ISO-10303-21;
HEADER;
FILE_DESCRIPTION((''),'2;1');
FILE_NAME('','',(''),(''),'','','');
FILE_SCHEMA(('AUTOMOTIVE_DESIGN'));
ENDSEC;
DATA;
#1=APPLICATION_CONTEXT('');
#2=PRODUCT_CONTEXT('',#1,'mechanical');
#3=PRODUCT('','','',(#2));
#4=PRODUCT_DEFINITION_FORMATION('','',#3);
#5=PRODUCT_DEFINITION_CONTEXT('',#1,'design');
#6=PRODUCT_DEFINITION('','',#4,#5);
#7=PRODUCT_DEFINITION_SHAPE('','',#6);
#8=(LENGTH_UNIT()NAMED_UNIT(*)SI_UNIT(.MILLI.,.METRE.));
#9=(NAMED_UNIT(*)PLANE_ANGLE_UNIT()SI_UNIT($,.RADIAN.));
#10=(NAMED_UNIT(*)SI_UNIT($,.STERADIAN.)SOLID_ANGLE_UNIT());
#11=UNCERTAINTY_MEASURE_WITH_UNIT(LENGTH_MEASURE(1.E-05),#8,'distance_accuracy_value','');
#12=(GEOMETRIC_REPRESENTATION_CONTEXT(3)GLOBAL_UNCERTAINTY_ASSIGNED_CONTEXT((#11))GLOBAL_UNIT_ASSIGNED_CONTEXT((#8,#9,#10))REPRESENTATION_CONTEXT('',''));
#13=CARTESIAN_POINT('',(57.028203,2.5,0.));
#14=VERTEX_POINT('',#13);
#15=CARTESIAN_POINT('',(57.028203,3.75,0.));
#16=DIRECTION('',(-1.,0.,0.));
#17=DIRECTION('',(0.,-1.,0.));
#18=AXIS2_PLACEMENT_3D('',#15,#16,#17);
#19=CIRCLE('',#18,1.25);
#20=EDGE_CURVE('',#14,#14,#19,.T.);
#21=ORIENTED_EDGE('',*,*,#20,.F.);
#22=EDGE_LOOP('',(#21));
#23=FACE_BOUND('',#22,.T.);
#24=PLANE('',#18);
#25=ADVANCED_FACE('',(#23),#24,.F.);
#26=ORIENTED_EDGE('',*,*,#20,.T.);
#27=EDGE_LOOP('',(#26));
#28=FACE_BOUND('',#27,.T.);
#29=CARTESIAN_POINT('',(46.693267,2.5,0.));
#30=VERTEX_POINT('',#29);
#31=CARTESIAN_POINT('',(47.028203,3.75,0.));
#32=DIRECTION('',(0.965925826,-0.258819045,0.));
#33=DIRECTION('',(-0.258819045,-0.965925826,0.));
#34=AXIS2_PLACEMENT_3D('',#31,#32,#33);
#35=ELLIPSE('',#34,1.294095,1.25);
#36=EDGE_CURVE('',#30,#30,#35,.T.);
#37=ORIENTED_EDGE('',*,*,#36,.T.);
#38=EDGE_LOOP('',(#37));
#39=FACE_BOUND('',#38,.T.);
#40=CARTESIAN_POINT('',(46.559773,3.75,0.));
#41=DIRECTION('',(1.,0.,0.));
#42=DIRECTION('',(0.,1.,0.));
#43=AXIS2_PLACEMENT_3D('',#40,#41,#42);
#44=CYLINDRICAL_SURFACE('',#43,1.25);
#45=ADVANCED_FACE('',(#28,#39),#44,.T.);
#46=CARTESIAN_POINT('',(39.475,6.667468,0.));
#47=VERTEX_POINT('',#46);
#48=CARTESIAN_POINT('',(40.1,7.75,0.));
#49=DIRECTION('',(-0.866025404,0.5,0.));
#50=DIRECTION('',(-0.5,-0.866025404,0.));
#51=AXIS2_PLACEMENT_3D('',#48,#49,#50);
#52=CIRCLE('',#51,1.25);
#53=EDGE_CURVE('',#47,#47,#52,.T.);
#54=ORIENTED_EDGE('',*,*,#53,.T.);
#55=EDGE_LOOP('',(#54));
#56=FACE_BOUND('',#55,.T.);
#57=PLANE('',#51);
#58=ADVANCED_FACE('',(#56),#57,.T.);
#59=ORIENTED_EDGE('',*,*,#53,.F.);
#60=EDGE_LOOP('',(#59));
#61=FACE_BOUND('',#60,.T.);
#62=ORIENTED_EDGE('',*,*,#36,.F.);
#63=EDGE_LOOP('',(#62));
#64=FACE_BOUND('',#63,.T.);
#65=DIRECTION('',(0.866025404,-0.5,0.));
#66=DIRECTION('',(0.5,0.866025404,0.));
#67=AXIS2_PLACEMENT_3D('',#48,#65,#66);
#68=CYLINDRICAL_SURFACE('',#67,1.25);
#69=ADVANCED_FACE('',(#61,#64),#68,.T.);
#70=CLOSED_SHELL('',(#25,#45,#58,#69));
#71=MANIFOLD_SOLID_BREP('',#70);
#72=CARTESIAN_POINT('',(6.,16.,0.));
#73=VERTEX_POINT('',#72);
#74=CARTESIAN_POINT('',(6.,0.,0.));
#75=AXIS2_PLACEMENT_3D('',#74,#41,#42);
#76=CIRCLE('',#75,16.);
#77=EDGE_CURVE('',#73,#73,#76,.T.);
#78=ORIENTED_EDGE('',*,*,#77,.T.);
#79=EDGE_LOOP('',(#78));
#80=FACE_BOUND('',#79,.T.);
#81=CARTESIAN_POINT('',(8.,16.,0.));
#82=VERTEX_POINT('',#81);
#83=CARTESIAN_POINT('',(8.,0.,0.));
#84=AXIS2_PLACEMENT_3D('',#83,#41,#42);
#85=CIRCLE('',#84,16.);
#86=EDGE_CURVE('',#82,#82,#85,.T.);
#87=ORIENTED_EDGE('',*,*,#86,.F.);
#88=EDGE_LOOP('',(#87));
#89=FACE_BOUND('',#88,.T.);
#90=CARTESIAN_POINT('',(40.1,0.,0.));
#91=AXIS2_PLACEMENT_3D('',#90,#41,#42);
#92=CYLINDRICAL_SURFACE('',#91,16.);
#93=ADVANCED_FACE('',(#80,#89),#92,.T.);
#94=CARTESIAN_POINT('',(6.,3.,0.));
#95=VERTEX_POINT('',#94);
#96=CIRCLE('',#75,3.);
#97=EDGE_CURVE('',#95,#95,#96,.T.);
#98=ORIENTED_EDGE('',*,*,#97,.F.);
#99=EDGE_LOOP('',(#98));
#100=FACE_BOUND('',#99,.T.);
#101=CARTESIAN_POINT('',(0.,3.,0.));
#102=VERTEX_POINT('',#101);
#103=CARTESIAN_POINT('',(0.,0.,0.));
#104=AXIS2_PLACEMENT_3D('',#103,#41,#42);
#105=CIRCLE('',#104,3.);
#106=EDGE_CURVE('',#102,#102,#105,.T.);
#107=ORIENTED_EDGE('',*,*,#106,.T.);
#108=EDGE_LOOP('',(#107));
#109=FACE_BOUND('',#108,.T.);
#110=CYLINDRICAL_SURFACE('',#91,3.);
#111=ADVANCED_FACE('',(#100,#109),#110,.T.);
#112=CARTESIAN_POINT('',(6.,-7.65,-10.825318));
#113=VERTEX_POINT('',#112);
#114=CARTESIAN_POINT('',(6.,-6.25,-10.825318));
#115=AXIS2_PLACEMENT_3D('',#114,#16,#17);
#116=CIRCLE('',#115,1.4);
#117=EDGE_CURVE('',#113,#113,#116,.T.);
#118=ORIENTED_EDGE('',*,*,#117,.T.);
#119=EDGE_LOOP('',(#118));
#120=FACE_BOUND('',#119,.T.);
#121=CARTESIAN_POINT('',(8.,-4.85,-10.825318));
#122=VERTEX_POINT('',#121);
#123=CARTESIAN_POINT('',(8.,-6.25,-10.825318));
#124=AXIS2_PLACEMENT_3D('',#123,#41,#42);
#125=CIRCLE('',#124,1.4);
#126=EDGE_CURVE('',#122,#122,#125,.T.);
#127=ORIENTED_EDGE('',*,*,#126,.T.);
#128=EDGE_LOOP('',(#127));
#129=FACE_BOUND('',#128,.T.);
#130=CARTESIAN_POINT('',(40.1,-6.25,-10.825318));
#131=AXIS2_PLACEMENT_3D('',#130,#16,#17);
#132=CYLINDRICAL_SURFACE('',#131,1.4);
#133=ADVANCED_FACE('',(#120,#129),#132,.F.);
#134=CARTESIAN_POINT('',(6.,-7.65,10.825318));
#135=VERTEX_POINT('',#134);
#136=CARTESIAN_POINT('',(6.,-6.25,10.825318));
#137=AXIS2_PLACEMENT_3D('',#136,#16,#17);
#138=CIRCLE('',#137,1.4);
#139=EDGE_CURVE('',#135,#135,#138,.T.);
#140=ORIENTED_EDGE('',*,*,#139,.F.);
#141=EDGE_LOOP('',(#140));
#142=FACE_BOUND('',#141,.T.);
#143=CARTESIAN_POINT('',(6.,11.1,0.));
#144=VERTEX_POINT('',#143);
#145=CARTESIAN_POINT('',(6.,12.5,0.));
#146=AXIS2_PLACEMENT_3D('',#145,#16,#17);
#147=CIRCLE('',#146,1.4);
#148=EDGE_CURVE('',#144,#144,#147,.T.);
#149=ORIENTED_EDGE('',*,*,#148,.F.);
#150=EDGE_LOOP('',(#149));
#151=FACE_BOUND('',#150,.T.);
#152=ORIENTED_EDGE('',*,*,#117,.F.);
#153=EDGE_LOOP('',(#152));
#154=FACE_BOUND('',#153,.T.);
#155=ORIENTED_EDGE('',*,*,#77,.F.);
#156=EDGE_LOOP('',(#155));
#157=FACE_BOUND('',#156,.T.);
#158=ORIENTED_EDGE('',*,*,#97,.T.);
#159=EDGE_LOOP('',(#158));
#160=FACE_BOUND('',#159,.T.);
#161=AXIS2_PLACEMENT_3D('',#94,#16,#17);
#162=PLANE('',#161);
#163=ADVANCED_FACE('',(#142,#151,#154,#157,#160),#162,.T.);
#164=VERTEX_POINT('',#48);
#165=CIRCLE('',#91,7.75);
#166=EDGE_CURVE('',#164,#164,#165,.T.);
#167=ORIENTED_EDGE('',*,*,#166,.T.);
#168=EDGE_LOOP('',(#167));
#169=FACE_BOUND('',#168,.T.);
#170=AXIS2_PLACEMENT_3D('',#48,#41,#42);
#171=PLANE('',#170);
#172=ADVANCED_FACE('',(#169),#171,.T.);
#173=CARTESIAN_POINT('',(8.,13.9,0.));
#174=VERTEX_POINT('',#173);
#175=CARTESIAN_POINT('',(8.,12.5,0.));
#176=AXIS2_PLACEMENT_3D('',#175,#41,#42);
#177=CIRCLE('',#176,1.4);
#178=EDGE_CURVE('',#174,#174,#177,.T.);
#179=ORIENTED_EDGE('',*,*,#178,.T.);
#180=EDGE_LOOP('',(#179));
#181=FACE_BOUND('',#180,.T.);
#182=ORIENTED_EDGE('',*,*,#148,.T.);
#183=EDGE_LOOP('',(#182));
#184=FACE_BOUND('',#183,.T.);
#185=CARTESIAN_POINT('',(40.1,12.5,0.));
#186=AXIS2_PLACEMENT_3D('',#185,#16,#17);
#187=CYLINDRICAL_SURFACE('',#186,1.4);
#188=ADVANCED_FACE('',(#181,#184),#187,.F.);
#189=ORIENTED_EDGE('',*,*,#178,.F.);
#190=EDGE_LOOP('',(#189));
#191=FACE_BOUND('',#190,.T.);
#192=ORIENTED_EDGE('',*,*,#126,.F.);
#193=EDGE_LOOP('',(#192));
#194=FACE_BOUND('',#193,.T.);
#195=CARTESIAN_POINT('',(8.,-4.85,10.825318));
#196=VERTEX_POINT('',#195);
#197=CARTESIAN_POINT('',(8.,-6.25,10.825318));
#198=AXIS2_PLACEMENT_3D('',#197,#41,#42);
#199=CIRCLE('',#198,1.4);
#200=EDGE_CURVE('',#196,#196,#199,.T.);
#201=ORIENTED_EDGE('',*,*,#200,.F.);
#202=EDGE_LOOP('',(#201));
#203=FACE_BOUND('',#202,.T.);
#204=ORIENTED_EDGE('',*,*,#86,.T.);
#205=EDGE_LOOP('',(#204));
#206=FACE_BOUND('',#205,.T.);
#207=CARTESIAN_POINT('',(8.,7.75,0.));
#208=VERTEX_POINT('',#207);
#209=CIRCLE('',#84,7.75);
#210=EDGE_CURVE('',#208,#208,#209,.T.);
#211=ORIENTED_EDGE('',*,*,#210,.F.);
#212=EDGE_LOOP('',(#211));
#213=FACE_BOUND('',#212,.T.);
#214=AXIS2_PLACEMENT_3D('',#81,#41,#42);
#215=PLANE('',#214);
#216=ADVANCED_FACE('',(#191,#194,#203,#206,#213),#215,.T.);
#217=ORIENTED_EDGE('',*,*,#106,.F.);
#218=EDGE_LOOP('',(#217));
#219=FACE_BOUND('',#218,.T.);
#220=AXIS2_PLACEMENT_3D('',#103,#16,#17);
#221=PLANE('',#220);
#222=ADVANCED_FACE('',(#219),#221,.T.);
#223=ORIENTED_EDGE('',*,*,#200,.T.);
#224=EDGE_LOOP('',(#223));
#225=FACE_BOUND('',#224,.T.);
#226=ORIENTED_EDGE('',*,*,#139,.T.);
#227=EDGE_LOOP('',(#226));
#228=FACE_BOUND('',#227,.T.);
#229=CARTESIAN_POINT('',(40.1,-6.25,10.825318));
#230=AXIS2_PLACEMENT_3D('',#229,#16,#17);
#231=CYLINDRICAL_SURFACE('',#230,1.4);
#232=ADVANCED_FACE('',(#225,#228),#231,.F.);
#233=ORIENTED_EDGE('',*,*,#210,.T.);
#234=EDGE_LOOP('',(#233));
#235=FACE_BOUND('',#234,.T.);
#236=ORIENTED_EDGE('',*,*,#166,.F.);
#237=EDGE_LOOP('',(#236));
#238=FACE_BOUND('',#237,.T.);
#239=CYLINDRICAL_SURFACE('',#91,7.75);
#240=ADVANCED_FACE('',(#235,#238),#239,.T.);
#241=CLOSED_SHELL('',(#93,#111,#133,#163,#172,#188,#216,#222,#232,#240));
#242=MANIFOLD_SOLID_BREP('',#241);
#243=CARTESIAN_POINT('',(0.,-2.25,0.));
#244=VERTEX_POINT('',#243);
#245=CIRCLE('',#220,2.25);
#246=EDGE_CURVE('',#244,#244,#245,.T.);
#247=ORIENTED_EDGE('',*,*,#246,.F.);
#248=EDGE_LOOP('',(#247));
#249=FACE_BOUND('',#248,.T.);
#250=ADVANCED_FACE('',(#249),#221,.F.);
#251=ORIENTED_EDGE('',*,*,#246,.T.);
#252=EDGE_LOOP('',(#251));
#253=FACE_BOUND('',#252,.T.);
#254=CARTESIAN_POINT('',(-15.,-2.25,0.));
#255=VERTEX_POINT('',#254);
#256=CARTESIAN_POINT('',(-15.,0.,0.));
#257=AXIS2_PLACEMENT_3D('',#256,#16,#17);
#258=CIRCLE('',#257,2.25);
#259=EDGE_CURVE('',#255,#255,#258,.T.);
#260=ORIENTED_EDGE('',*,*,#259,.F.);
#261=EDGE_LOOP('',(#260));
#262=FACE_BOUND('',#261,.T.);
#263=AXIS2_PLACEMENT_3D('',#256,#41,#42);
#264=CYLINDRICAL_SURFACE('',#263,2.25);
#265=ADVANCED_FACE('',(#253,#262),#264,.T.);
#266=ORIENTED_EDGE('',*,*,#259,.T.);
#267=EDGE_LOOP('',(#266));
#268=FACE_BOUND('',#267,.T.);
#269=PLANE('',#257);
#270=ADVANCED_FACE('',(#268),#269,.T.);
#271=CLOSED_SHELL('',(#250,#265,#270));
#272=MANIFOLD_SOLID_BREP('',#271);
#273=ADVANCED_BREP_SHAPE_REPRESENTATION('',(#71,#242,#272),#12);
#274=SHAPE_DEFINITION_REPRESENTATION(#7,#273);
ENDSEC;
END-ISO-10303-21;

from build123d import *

# Parameters (mm, degrees)
SKETCH_2_R          = 2.25
EXTRUDE_1_DEPTH     = 15
SKETCH_3_R          = 1.4
CUT_EXTRUDE_1_DEPTH = 41.924442574
SWEEP_1_PROFILE_R   = 1.25


with BuildPart() as part:
    # 草图1 → 旋转1 (revolve)
    with BuildSketch(Plane.XY):
        Polygon((0, 0), (0, 3), (6, 3), (6, 16), (8, 16), (8, 7.75), (40.1, 7.75), (40.1, 0), align=None)
    revolve(axis=Axis((40.1, 0, 0), (-1, 0, 0)))

    # 草图3 → 切除-拉伸1 (cut, through all)
    with BuildSketch(Plane.ZY.offset(-6)):
        with Locations(Location((0, 12.5, 0), (0, 0, 270))):
            Circle(SKETCH_3_R)
        with Locations(Location((10.825317547, -6.25, 0), (0, 0, 270))):
            Circle(SKETCH_3_R)
        with Locations(Location((-10.825317547, -6.25, 0), (0, 0, 270))):
            Circle(SKETCH_3_R)
    extrude(amount=-CUT_EXTRUDE_1_DEPTH, mode=Mode.SUBTRACT)


with BuildPart() as body_2:
    # 草图2 → 凸台-拉伸1 (new body)
    with BuildSketch(Plane.ZY):
        with Locations(Location((0, 0, 0), (0, 0, 270))):
            Circle(SKETCH_2_R)
    extrude(amount=EXTRUDE_1_DEPTH)


with BuildPart() as body_3:
    # 扫描1: sweep along a path in 草图4
    with BuildLine(Plane.XY) as sweep_1_path:
        Line((40.1, 7.75), (47.02820323, 3.75))
        Line((47.02820323, 3.75), (57.02820323, 3.75))
    # 扫描1 profile (on start of the path) → 扫描1 (sweep)
    with BuildSketch(Plane(origin=(40.1, 7.75, 0), x_dir=(0.4999999999999976, 0.8660254037844402, 0), z_dir=(0.8660254037844402, -0.4999999999999976, 0))):
        Circle(SWEEP_1_PROFILE_R)
    sweep(path=sweep_1_path.line, transition=Transition.RIGHT)


solid = Compound([part.part, body_2.part, body_3.part])
